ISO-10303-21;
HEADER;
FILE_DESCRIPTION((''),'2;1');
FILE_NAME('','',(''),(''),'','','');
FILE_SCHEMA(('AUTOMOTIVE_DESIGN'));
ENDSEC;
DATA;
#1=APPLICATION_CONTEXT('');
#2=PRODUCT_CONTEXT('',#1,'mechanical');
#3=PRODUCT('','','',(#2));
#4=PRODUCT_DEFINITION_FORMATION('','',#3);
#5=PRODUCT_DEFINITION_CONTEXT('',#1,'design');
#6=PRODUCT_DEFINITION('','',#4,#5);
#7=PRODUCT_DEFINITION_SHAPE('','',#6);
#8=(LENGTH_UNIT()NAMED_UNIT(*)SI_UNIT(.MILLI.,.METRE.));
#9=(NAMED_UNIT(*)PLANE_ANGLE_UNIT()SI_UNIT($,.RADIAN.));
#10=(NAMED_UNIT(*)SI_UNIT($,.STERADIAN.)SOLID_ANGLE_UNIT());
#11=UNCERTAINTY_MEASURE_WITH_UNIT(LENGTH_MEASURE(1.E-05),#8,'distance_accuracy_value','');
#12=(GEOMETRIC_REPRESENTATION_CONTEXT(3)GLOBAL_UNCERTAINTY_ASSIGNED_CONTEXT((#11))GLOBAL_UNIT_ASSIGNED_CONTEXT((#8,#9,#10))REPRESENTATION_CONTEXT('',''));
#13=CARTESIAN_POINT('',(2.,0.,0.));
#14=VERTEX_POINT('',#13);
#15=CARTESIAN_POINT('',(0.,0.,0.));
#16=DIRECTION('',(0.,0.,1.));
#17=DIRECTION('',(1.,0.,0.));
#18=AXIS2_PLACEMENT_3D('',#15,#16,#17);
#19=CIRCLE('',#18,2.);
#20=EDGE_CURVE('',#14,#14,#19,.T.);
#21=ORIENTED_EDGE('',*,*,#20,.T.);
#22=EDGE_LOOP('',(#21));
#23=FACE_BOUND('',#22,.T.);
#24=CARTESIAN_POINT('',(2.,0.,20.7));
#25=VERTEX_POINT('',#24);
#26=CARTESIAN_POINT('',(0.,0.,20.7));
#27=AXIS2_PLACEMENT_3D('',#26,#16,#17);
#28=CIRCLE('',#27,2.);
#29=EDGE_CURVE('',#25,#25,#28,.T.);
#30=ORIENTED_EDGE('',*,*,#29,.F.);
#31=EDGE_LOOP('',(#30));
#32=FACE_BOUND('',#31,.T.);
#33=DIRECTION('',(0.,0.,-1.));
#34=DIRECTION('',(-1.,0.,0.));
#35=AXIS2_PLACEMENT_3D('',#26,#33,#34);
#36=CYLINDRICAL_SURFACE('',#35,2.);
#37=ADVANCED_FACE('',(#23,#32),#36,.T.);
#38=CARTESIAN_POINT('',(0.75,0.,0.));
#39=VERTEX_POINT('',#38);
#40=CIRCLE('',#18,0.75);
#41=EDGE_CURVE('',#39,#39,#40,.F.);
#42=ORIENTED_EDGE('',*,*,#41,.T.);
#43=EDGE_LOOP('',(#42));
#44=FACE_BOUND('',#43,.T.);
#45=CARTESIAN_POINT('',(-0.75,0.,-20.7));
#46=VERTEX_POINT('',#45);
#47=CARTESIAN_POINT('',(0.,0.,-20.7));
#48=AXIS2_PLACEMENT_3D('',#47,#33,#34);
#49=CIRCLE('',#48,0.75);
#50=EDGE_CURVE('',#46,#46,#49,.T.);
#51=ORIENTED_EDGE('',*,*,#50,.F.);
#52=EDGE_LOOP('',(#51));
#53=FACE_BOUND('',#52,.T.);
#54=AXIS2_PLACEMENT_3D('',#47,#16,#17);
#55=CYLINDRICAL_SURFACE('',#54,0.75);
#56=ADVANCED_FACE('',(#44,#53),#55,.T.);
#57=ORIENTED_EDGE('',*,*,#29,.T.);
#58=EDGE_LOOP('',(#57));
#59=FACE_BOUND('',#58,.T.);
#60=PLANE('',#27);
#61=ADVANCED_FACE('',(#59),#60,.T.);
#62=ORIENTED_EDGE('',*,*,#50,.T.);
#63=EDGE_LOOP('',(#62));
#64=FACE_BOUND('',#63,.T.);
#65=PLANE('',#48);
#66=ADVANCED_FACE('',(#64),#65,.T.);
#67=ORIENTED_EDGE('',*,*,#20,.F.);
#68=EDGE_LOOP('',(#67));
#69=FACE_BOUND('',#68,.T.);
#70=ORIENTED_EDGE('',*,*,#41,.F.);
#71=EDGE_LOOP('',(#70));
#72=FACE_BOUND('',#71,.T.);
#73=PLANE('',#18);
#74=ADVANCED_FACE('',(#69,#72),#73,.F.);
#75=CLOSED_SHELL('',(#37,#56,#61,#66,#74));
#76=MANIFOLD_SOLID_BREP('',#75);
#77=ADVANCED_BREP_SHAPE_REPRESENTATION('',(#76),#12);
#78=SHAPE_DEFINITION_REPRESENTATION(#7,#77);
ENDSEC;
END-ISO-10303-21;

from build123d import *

# Parameters (mm, degrees)
SKETCH_1_R      = 2
EXTRUDE_1_DEPTH = 20.7
SKETCH_2_R      = 0.75
EXTRUDE_2_DEPTH = 20.7


with BuildPart() as part:
    # 草图1 → 凸台-拉伸1 (new body)
    with BuildSketch(Plane.XY):
        Circle(SKETCH_1_R)
    extrude(amount=EXTRUDE_1_DEPTH)

    # 草图2 → 凸台-拉伸2 (add)
    with BuildSketch(Plane(origin=(0, 0, 0), x_dir=(-1, 0, 0), z_dir=(0, 0, -1))):
        Circle(SKETCH_2_R)
    extrude(amount=EXTRUDE_2_DEPTH)


solid = part.part
